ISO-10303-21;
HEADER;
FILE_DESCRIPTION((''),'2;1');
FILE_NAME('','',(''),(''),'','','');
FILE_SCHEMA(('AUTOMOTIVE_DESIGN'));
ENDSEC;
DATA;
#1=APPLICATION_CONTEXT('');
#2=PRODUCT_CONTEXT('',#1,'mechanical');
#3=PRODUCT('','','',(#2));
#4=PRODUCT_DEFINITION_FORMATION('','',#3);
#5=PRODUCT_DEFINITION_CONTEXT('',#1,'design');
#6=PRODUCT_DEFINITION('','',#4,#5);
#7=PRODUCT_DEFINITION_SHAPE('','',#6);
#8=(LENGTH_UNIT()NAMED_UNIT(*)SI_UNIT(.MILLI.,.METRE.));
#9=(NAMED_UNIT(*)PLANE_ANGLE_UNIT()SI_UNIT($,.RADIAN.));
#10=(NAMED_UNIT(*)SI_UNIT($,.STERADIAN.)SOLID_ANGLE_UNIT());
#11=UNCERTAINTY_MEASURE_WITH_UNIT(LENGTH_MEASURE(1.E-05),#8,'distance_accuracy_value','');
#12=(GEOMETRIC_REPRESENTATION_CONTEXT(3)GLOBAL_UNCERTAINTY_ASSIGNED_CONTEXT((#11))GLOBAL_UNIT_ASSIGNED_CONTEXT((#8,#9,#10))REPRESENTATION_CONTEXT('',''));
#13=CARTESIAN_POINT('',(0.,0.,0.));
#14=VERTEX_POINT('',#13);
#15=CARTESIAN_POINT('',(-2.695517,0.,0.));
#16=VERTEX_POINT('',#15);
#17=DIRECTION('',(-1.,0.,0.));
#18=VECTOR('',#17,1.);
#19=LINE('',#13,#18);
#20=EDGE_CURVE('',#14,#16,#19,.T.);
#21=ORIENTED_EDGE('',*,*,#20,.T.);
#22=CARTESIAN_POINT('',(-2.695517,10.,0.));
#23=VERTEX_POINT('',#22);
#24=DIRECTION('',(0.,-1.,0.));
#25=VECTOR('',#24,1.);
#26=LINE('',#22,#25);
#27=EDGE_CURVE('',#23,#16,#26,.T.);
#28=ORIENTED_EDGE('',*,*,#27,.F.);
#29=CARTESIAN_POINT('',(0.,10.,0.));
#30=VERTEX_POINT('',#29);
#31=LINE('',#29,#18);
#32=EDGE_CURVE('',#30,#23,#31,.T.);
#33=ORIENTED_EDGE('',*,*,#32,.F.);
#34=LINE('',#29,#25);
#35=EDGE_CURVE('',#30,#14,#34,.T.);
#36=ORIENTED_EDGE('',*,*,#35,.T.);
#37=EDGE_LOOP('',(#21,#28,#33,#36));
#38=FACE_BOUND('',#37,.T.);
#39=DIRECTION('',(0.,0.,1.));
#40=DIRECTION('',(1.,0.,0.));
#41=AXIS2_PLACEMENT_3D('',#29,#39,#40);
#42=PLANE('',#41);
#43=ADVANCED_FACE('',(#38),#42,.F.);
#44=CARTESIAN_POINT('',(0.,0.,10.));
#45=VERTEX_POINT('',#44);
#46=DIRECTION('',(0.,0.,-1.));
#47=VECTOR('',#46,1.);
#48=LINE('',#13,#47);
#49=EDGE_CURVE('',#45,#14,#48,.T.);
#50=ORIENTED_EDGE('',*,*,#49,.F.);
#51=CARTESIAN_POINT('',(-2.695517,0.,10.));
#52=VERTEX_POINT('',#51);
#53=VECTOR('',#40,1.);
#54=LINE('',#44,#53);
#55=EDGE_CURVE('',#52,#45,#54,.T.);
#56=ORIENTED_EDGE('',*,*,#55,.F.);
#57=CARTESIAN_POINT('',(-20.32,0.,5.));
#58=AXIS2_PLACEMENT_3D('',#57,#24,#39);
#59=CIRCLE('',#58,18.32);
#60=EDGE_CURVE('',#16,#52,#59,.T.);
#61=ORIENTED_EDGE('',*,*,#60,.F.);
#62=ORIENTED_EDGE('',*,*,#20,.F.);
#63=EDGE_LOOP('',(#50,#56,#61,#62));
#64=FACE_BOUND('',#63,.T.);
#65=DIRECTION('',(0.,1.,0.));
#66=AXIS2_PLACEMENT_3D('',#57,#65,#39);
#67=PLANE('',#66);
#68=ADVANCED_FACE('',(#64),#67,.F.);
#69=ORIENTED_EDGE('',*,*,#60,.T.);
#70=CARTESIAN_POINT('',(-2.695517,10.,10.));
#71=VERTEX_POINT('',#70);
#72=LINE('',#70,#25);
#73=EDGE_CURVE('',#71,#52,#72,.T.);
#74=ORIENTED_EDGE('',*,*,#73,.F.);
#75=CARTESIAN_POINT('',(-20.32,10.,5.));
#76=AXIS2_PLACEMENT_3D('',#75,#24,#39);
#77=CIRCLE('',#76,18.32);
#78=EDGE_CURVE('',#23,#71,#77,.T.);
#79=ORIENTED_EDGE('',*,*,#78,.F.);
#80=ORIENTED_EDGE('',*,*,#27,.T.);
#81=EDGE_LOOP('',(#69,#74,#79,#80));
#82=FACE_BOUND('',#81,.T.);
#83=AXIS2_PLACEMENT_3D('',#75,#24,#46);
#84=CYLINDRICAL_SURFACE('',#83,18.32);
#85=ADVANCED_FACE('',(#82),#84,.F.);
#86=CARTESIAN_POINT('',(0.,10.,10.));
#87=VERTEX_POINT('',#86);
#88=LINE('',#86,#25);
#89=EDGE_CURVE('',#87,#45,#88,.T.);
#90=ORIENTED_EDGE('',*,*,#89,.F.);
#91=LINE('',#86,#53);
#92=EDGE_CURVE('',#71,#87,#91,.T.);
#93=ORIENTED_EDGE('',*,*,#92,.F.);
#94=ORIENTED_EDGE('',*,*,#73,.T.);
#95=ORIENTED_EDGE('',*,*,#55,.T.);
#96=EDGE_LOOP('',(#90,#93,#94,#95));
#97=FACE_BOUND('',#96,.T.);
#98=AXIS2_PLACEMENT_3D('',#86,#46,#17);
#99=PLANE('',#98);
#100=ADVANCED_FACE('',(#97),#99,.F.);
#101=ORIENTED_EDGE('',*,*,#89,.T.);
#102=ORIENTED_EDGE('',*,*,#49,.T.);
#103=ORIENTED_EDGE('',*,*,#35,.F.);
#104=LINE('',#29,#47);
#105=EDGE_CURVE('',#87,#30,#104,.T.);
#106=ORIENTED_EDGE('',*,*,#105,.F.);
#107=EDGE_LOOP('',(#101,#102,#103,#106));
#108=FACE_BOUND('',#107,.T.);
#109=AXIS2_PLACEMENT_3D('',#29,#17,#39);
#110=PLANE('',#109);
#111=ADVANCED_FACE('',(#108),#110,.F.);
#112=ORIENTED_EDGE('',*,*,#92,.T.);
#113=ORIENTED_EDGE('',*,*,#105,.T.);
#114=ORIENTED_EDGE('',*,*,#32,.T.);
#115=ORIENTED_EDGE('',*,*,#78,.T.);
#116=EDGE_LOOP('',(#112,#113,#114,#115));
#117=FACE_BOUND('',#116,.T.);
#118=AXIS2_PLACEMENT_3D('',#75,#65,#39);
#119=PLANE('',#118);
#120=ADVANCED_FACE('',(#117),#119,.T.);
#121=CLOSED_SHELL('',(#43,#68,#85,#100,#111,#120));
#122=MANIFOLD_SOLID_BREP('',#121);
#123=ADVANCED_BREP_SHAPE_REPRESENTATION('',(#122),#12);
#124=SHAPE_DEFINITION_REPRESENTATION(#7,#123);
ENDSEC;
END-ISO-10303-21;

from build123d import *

# Parameters (mm, degrees)
EXTRUDE_1_DEPTH = 10


with BuildPart() as part:
    # 草图1 → 凸台-拉伸1 (new body)
    with BuildSketch(Plane(origin=(0, 0, 0), x_dir=(1, 0, 0), z_dir=(0, 1, 0))):
        with BuildLine():
            Line((0, 0), (0, -10))
            Line((0, -10), (-2.695517029, -10))
            ThreePointArc((-2.695517029, -10), (-2, -5), (-2.695517029, 0))
            Line((-2.695517029, 0), (0, 0))
        make_face()
    extrude(amount=EXTRUDE_1_DEPTH)


solid = part.part
